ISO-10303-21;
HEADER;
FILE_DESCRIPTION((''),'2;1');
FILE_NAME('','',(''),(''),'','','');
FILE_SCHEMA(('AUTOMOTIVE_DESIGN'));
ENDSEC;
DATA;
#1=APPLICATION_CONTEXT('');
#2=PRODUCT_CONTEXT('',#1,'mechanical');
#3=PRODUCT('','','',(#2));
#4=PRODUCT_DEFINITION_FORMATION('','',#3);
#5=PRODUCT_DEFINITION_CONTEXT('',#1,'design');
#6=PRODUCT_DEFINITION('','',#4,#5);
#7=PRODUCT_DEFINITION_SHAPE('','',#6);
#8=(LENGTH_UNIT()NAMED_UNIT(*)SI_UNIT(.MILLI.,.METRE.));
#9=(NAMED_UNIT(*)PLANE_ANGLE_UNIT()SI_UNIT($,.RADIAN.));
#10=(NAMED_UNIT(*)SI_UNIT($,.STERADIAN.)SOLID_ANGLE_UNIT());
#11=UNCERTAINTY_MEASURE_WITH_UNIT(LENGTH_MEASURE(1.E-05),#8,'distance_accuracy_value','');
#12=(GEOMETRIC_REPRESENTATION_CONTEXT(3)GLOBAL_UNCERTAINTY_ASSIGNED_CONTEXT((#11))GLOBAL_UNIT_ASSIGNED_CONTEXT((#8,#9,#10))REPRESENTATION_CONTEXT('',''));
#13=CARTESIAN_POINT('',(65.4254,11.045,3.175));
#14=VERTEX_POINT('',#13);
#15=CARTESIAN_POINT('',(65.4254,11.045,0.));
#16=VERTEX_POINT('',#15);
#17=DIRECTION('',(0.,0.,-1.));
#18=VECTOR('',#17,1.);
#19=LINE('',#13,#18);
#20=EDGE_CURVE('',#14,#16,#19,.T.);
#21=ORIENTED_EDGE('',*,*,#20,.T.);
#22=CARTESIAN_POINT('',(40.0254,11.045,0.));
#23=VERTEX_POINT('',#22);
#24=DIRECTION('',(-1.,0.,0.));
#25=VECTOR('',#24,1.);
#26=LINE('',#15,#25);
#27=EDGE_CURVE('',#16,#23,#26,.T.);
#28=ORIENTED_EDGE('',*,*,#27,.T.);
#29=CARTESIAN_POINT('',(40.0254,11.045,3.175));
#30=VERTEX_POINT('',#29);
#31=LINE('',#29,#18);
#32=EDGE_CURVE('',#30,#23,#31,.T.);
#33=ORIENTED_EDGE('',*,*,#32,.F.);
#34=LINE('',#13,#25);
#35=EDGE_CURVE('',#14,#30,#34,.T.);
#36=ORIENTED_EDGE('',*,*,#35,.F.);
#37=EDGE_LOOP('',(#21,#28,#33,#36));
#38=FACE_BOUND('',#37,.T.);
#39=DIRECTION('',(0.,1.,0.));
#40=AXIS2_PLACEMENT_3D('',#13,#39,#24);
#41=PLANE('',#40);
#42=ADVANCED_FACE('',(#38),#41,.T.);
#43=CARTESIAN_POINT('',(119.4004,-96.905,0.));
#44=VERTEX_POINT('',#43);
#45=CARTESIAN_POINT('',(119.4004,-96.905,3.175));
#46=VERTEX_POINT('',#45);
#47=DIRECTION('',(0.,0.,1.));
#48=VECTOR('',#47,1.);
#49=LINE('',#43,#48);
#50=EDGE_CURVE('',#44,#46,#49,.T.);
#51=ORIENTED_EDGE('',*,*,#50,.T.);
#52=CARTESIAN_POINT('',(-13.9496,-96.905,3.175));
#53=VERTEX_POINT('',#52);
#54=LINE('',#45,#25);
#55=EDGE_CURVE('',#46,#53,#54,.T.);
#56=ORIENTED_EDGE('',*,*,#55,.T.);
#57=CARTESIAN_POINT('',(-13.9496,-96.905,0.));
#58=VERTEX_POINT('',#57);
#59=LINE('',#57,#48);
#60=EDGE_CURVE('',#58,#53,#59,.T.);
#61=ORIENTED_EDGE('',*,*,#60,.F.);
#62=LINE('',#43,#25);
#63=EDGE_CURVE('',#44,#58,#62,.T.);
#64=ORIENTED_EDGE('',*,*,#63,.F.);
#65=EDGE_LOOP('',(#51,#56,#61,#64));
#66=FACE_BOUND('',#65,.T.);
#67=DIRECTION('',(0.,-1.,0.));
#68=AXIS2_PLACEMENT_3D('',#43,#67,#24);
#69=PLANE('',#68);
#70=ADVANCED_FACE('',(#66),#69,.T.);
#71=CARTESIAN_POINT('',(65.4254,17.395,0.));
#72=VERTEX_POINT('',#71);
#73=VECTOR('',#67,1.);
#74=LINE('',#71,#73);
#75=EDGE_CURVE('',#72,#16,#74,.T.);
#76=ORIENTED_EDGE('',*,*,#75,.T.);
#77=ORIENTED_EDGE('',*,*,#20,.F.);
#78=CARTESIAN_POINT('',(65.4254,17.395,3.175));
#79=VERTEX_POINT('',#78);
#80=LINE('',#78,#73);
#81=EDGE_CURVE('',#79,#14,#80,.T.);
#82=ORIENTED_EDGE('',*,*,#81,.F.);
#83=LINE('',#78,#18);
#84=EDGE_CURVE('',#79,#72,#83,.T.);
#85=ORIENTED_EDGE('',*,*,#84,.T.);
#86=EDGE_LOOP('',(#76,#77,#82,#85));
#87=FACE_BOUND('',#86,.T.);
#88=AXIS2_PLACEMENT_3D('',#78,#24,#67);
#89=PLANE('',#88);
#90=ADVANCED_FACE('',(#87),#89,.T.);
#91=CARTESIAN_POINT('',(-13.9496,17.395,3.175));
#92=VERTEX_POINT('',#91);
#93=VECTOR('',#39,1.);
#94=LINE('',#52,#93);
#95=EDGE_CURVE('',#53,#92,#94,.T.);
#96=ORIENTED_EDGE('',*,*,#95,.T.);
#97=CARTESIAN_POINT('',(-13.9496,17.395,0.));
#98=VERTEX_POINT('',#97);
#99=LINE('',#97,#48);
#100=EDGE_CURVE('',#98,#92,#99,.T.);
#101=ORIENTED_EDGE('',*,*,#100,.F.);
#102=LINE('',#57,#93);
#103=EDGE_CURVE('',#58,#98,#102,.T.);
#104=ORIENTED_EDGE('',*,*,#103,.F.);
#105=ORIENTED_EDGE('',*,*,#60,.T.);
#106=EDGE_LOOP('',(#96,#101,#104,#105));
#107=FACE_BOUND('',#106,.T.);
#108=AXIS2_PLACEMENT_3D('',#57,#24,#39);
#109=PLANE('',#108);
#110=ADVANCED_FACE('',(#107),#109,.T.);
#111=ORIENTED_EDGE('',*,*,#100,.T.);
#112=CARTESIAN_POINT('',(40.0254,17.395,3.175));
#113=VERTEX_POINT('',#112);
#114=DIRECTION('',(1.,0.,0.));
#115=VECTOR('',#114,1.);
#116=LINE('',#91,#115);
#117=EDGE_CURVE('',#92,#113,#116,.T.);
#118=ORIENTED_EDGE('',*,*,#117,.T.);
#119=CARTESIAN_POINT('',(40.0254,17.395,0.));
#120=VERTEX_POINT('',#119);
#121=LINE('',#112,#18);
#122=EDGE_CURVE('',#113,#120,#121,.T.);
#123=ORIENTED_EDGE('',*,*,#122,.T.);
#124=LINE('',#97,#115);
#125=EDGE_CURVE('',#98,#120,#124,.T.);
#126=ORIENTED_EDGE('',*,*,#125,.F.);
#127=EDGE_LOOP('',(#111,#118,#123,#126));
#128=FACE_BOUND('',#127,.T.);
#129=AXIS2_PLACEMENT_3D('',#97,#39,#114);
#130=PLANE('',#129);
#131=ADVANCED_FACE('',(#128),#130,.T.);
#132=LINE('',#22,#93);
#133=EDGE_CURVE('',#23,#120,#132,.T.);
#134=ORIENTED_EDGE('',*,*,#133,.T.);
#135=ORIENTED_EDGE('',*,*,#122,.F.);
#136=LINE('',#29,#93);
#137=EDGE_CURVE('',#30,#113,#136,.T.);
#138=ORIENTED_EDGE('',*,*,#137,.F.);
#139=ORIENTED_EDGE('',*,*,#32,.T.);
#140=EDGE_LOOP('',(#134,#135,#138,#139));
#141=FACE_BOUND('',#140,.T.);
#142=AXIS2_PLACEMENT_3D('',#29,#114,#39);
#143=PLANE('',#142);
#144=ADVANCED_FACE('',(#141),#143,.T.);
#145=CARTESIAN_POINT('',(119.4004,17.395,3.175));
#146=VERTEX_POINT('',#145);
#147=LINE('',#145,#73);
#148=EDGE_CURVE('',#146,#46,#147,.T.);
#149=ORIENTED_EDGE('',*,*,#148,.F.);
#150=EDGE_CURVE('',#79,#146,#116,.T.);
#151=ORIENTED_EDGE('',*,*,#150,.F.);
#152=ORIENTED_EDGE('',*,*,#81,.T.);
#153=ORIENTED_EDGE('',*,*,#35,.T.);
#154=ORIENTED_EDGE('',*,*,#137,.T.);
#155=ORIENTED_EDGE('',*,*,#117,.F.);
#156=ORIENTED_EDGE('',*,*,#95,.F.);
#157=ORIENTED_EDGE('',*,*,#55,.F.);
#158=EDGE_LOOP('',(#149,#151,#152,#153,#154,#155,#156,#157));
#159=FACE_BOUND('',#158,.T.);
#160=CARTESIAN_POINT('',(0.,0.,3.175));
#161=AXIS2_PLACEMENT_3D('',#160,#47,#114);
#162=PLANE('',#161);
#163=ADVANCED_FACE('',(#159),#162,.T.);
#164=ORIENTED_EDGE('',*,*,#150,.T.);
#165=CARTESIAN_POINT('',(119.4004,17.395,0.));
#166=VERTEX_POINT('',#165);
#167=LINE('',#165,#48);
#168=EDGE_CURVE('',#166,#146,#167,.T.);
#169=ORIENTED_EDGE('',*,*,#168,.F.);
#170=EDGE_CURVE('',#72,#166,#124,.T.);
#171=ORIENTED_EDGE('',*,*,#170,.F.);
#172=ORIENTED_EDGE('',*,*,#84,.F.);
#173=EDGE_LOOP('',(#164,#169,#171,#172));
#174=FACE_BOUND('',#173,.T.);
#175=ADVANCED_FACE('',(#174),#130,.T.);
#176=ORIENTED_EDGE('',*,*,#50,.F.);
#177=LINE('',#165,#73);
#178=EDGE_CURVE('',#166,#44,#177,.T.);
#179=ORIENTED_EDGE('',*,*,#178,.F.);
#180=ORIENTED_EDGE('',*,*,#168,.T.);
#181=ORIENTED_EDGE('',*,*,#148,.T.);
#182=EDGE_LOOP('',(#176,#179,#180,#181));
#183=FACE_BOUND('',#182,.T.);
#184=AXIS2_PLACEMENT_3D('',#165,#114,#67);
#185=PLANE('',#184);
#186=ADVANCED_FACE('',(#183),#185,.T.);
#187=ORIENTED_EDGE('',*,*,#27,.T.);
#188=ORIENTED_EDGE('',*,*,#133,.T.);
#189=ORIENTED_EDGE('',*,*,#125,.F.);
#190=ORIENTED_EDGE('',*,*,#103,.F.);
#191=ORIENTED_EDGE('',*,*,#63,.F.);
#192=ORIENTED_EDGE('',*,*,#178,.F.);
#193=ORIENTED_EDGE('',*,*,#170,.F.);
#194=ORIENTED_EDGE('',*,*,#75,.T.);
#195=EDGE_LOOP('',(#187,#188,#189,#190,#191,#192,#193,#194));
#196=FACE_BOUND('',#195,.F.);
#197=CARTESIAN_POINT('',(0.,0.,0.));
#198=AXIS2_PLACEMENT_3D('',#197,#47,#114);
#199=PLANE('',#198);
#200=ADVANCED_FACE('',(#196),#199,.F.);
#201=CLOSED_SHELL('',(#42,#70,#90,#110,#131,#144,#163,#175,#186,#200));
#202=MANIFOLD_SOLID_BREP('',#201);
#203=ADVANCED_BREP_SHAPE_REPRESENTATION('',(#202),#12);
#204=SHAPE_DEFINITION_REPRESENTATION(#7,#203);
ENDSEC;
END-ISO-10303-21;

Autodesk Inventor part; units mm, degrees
ref_plane "YZ Plane" through (0, 0, 0) normal (1, 0, 0) x (0, 1, 0)
ref_plane "XZ Plane" through (0, 0, 0) normal (0, 1, 0) x (-1, 0, 0)
ref_plane "XY Plane" through (0, 0, 0) normal (0, 0, 1) x (1, 0, 0)
sketch "Sketch1" plane through (0, 0, 0) normal (0, 0, 1) x (1, 0, 0)
  line L0 (-13.9496, 17.395) -> (119.4004, 17.395)
  line L1 (119.4004, 17.395) -> (119.4004, -96.905)
  line L2 (119.4004, -96.905) -> (-13.9496, -96.905)
  line L3 (-13.9496, -96.905) -> (-13.9496, 17.395)
  point P0 (0, 0)
  dimension "d0" = 133.35
  dimension "d1" = 114.3
extrude "Extrusion1" add sketch "Sketch1" along normal blind 3.175
sketch "Sketch2" plane through (0, 0, 3.175) normal (0, 0, 1) x (1, 0, 0)
  line L0 (-13.9496, 17.395) -> (119.4004, 17.395) projected
  line L1 (40.0254, 17.395) -> (65.4254, 17.395)
  line L2 (65.4254, 17.395) -> (65.4254, 11.045)
  line L3 (65.4254, 11.045) -> (40.0254, 11.045)
  line L4 (40.0254, 11.045) -> (40.0254, 17.395)
  point P0 (0, 0)
  dimension "d4" = 6.35
  dimension "d5" = 25.4
  dimension "d6" = 53.975
extrude "Extrusion2" cut sketch "Sketch2" against normal blind 3.175
properties part number "side panel"
